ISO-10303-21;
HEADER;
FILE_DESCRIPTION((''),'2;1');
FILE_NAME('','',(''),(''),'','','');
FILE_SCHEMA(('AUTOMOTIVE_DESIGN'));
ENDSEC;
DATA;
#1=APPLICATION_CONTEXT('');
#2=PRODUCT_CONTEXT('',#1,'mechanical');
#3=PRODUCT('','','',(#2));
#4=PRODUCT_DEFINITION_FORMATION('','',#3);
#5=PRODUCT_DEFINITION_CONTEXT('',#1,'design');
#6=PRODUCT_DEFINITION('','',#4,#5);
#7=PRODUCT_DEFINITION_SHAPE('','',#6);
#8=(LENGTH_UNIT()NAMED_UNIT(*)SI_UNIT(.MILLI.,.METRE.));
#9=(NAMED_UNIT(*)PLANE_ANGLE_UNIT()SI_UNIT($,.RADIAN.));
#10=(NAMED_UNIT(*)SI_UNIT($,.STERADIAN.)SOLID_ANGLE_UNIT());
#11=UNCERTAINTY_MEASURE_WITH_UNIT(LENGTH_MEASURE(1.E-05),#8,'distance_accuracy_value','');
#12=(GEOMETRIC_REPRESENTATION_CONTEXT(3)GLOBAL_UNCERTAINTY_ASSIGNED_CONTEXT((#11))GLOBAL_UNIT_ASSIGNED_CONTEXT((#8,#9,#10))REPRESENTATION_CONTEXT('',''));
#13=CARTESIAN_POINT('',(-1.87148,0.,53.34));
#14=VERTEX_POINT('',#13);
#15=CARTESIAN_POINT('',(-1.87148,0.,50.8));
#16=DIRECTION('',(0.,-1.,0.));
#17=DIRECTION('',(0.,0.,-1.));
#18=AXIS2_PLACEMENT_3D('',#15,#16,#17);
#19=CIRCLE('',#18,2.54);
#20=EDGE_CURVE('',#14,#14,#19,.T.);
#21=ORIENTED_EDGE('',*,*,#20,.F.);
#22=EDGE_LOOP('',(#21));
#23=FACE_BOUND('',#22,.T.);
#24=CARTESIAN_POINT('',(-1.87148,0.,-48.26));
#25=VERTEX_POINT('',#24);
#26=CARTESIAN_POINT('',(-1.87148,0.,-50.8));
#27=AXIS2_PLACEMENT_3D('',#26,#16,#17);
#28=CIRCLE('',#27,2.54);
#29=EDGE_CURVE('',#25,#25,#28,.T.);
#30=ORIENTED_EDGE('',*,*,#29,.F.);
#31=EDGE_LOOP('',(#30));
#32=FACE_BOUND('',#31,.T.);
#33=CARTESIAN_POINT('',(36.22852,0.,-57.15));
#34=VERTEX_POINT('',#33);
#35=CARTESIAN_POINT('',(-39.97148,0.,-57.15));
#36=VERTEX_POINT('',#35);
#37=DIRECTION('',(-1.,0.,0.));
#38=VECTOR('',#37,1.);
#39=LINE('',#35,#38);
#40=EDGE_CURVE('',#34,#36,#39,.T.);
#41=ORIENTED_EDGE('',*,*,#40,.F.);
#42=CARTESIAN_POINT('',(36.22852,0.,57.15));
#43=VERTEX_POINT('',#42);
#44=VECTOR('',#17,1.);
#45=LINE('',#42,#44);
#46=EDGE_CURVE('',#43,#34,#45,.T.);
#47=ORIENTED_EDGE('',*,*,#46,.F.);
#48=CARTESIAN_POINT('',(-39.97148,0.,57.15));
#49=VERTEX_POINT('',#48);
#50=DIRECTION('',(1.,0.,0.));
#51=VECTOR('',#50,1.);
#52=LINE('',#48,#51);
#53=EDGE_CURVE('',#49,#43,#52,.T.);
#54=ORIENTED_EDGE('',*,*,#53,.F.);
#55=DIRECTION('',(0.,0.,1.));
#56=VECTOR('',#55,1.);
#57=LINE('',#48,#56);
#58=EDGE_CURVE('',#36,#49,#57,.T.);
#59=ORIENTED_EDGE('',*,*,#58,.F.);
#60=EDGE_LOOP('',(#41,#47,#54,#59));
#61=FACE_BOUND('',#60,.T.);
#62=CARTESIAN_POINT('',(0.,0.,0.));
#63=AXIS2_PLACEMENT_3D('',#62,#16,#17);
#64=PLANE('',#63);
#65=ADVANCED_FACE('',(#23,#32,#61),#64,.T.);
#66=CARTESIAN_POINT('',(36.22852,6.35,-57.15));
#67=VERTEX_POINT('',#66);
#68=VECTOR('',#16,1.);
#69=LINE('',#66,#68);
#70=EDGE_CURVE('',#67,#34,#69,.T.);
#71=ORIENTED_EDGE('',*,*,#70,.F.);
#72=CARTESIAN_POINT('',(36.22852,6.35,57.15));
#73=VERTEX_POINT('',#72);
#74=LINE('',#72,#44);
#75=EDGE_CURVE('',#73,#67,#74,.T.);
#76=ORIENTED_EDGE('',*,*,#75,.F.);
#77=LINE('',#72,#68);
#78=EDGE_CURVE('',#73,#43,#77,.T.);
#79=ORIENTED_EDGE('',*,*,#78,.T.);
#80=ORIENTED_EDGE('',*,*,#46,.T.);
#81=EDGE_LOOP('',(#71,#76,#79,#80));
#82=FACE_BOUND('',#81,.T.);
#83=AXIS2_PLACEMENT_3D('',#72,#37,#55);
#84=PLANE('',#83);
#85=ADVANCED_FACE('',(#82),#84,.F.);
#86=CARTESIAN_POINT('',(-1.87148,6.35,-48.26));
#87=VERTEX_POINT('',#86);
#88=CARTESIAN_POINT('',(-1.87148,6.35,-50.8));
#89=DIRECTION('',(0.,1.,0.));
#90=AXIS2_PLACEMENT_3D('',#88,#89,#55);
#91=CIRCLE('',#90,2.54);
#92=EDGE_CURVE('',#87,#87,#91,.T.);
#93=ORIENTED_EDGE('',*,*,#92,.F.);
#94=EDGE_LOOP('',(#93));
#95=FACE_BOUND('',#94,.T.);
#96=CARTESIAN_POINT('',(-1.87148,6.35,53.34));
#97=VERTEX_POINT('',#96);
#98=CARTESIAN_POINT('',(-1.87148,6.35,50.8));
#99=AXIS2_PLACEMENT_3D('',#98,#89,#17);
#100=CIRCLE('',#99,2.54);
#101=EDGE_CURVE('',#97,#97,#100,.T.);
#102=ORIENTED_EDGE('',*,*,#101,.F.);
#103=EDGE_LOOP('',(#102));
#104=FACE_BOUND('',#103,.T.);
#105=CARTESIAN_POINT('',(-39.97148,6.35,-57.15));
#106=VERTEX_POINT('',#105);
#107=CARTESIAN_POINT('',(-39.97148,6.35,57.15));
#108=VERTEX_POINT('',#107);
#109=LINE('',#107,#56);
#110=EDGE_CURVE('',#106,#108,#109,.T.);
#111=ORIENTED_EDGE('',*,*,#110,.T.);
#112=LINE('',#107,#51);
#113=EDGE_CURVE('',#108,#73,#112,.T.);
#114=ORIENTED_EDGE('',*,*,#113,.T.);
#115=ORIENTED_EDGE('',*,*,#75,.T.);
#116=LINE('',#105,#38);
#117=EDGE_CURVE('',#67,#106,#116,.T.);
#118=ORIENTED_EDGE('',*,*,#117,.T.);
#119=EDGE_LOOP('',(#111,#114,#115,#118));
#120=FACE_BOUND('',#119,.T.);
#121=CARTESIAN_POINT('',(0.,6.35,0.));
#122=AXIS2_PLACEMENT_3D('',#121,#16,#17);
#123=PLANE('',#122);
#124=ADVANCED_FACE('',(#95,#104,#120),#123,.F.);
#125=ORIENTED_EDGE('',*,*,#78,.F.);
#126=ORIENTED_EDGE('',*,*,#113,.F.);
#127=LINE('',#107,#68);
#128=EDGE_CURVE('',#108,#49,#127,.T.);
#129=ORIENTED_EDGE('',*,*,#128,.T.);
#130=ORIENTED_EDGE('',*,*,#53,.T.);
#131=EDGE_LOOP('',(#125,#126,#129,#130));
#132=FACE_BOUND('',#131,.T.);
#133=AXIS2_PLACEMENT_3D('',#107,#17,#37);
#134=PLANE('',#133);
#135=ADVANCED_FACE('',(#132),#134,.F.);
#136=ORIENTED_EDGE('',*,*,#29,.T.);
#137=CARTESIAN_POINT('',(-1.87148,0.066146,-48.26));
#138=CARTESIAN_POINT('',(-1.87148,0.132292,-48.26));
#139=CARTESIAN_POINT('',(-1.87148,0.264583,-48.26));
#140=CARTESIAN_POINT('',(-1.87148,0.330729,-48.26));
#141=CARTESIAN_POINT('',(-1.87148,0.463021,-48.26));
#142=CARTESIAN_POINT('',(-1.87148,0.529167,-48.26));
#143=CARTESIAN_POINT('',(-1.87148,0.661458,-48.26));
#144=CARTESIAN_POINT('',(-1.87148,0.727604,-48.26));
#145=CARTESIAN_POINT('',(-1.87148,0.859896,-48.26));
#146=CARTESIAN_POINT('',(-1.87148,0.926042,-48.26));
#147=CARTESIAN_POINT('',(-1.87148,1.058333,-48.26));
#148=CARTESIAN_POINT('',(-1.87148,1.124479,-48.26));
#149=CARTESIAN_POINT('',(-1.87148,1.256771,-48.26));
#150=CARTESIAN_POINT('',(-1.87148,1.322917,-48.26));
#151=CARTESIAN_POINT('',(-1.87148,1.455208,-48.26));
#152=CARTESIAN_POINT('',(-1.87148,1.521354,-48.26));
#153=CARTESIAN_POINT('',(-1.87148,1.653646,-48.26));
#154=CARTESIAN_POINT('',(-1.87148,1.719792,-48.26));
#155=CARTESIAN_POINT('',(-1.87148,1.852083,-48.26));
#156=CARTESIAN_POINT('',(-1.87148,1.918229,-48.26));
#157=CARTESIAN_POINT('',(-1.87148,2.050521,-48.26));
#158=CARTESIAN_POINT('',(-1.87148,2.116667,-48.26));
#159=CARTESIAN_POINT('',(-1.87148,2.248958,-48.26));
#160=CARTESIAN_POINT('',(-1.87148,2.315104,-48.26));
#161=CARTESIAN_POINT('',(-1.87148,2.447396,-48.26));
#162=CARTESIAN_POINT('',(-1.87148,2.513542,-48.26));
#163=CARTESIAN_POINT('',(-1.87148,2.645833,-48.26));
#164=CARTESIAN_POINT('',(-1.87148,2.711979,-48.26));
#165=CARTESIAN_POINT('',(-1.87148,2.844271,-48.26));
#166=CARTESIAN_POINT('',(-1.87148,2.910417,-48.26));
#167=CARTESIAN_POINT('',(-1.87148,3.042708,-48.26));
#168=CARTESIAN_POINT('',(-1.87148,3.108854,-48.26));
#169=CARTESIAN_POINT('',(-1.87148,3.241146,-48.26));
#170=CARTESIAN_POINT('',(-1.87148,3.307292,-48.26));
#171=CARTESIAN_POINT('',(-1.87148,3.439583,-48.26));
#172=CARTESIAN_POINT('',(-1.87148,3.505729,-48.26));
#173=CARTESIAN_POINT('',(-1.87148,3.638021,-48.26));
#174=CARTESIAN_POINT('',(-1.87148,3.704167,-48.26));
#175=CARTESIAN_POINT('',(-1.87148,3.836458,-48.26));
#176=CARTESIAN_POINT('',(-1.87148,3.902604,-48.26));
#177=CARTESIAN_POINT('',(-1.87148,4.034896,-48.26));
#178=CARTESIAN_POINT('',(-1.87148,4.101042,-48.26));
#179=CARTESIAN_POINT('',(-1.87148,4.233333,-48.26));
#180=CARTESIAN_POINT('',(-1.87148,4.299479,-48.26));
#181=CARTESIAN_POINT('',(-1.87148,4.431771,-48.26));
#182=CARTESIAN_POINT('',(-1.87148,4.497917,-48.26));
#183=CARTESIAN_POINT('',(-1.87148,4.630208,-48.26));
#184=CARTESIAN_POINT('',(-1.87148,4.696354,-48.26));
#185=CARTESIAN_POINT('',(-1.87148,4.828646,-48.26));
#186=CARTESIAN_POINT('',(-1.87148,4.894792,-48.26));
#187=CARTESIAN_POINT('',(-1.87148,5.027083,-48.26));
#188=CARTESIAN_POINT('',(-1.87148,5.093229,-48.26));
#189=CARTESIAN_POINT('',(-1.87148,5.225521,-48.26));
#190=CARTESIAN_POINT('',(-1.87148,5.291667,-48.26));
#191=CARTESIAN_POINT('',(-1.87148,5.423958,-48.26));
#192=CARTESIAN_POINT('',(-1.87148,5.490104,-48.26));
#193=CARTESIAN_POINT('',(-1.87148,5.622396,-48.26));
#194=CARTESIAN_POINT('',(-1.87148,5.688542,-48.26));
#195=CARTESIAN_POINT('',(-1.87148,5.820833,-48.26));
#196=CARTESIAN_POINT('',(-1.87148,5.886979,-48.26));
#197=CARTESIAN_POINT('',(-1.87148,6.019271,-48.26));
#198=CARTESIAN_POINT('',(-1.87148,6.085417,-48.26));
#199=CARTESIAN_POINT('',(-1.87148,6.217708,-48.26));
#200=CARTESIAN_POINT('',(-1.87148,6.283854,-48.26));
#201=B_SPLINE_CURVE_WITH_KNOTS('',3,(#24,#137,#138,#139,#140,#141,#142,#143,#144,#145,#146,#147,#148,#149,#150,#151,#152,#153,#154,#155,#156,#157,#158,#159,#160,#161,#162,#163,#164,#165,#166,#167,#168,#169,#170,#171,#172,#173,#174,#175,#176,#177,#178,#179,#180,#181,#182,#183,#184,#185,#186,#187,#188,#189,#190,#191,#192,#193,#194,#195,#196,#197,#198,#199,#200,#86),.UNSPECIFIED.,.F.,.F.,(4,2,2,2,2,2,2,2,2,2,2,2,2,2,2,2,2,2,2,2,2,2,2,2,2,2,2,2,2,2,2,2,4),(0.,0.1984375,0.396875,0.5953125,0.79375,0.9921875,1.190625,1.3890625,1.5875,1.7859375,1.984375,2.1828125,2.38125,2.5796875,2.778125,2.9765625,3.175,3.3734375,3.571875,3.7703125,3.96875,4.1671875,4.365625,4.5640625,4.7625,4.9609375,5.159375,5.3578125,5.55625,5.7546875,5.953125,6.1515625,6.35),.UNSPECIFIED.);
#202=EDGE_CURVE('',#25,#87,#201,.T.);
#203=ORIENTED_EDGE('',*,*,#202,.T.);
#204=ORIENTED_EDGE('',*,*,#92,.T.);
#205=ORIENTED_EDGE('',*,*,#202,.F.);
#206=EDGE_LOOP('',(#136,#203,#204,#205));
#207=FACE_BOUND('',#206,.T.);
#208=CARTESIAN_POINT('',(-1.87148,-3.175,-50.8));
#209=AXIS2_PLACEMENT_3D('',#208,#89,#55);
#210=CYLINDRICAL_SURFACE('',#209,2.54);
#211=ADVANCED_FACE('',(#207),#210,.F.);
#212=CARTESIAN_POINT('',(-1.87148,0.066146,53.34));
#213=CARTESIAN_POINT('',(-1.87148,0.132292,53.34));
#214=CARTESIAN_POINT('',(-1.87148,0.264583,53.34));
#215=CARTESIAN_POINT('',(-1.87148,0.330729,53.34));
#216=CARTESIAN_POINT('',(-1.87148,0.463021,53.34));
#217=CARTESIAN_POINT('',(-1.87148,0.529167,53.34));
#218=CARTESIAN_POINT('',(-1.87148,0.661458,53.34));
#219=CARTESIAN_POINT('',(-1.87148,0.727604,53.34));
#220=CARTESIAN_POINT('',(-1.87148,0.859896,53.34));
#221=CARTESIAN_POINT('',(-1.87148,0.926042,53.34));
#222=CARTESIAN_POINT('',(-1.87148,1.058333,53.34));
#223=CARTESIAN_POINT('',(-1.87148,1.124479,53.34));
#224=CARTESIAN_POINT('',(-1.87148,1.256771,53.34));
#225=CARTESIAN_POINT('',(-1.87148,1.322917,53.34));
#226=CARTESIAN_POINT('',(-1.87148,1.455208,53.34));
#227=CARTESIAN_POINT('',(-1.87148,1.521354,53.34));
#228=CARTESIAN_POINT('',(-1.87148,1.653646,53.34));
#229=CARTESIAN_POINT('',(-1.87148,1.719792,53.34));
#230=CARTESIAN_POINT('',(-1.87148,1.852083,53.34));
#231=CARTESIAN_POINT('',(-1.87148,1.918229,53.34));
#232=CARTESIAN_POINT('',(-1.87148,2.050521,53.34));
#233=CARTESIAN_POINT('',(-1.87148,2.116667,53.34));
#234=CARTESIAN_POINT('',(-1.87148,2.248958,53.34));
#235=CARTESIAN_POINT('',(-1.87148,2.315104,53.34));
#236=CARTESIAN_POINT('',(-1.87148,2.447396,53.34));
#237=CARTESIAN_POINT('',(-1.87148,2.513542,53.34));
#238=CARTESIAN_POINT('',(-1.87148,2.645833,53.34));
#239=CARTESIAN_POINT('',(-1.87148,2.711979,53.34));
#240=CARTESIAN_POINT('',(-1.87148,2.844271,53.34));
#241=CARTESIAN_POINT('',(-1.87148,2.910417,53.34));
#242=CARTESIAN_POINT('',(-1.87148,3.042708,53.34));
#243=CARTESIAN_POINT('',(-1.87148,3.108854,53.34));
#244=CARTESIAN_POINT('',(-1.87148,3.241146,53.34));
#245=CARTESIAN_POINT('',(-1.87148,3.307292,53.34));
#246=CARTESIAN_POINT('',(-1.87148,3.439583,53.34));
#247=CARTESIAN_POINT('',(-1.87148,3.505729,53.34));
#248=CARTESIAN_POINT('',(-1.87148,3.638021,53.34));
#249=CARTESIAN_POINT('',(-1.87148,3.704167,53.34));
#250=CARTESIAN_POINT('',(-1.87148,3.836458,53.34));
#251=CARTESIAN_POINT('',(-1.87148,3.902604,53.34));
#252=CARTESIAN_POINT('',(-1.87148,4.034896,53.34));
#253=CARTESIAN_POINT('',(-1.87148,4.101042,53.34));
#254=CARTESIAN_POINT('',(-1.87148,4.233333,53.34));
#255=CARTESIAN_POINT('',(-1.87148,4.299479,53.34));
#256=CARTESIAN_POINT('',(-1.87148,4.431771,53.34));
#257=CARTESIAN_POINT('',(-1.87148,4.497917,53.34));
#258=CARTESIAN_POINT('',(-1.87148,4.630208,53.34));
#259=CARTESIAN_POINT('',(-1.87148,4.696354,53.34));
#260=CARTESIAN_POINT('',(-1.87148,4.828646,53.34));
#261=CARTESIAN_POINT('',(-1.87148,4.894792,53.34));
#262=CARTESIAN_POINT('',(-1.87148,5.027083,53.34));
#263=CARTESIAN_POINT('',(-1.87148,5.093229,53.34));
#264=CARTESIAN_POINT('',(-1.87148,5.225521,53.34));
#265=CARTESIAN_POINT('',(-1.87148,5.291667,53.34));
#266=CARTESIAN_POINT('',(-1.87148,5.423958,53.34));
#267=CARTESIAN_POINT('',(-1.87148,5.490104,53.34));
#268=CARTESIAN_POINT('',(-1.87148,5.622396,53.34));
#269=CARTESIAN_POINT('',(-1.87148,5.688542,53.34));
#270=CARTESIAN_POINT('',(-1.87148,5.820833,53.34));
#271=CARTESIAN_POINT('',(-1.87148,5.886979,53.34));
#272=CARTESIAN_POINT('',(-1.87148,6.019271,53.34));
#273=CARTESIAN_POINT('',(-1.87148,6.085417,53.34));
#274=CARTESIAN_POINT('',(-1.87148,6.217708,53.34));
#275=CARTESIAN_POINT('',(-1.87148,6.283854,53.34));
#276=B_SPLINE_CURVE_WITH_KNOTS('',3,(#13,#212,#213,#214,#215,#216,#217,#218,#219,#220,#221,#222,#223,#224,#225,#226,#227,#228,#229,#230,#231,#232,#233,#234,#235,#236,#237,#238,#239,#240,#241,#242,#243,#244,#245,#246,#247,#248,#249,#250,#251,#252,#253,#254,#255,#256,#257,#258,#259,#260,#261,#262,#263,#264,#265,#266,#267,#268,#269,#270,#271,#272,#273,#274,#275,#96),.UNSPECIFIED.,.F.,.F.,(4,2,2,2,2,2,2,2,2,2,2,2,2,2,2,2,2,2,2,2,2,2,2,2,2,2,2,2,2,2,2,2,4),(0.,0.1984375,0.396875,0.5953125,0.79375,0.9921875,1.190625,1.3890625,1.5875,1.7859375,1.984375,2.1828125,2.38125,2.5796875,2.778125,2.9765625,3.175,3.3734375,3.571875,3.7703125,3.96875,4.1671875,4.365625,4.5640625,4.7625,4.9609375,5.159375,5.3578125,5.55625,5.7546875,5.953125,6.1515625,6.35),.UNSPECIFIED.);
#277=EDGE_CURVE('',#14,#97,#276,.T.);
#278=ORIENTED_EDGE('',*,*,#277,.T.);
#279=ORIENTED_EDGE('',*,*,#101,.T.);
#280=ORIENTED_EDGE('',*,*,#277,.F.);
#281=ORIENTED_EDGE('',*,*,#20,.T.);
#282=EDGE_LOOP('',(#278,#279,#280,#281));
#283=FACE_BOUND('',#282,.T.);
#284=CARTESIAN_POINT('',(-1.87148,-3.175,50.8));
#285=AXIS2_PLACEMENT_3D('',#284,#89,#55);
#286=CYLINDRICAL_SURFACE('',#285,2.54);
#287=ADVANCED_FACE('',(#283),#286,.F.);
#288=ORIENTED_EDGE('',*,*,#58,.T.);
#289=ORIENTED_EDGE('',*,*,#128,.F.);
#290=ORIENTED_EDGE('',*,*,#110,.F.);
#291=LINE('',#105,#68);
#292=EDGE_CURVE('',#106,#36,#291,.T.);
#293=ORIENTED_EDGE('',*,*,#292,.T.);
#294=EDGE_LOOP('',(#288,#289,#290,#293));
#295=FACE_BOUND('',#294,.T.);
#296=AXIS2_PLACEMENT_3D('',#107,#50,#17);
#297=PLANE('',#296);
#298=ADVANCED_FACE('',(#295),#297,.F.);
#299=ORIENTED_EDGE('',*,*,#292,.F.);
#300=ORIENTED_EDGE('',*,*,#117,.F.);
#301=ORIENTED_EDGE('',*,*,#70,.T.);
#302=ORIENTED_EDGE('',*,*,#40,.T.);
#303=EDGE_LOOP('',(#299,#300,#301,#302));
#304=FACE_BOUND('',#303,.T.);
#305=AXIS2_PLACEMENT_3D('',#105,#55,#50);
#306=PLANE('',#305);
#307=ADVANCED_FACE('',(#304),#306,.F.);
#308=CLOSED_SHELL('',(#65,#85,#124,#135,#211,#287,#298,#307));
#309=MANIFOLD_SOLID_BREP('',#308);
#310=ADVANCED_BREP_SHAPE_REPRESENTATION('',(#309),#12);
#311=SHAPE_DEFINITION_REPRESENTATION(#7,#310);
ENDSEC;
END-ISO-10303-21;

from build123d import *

# Parameters (mm, degrees)
SKETCH2_W           = 76.2
SKETCH2_H           = 114.3
BOSS_EXTRUDE1_DEPTH = 6.35
SKETCH6_R           = 2.54
CUT_EXTRUDE3_DEPTH  = 9.525


with BuildPart() as part:
    # Sketch2 → Boss-Extrude1 (new body)
    with BuildSketch(Plane(origin=(0, 0, 0), x_dir=(1, 0, 0), z_dir=(0, 1, 0))):
        with Locations((-1.871480339, 0)):
            Rectangle(SKETCH2_W, SKETCH2_H)
    extrude(amount=BOSS_EXTRUDE1_DEPTH)

    # Sketch6 → Cut-Extrude3 (cut)
    with BuildSketch(Plane(origin=(0, 6.35, 0), x_dir=(1, 0, 0), z_dir=(0, 1, 0))):
        with Locations(Location((-1.871480339, 50.8, 0), (0, 0, 270))):
            Circle(SKETCH6_R)
        with Locations(Location((-1.871480339, -50.8, 0), (0, 0, 270))):
            Circle(SKETCH6_R)
    extrude(amount=-CUT_EXTRUDE3_DEPTH, mode=Mode.SUBTRACT)


solid = part.part
